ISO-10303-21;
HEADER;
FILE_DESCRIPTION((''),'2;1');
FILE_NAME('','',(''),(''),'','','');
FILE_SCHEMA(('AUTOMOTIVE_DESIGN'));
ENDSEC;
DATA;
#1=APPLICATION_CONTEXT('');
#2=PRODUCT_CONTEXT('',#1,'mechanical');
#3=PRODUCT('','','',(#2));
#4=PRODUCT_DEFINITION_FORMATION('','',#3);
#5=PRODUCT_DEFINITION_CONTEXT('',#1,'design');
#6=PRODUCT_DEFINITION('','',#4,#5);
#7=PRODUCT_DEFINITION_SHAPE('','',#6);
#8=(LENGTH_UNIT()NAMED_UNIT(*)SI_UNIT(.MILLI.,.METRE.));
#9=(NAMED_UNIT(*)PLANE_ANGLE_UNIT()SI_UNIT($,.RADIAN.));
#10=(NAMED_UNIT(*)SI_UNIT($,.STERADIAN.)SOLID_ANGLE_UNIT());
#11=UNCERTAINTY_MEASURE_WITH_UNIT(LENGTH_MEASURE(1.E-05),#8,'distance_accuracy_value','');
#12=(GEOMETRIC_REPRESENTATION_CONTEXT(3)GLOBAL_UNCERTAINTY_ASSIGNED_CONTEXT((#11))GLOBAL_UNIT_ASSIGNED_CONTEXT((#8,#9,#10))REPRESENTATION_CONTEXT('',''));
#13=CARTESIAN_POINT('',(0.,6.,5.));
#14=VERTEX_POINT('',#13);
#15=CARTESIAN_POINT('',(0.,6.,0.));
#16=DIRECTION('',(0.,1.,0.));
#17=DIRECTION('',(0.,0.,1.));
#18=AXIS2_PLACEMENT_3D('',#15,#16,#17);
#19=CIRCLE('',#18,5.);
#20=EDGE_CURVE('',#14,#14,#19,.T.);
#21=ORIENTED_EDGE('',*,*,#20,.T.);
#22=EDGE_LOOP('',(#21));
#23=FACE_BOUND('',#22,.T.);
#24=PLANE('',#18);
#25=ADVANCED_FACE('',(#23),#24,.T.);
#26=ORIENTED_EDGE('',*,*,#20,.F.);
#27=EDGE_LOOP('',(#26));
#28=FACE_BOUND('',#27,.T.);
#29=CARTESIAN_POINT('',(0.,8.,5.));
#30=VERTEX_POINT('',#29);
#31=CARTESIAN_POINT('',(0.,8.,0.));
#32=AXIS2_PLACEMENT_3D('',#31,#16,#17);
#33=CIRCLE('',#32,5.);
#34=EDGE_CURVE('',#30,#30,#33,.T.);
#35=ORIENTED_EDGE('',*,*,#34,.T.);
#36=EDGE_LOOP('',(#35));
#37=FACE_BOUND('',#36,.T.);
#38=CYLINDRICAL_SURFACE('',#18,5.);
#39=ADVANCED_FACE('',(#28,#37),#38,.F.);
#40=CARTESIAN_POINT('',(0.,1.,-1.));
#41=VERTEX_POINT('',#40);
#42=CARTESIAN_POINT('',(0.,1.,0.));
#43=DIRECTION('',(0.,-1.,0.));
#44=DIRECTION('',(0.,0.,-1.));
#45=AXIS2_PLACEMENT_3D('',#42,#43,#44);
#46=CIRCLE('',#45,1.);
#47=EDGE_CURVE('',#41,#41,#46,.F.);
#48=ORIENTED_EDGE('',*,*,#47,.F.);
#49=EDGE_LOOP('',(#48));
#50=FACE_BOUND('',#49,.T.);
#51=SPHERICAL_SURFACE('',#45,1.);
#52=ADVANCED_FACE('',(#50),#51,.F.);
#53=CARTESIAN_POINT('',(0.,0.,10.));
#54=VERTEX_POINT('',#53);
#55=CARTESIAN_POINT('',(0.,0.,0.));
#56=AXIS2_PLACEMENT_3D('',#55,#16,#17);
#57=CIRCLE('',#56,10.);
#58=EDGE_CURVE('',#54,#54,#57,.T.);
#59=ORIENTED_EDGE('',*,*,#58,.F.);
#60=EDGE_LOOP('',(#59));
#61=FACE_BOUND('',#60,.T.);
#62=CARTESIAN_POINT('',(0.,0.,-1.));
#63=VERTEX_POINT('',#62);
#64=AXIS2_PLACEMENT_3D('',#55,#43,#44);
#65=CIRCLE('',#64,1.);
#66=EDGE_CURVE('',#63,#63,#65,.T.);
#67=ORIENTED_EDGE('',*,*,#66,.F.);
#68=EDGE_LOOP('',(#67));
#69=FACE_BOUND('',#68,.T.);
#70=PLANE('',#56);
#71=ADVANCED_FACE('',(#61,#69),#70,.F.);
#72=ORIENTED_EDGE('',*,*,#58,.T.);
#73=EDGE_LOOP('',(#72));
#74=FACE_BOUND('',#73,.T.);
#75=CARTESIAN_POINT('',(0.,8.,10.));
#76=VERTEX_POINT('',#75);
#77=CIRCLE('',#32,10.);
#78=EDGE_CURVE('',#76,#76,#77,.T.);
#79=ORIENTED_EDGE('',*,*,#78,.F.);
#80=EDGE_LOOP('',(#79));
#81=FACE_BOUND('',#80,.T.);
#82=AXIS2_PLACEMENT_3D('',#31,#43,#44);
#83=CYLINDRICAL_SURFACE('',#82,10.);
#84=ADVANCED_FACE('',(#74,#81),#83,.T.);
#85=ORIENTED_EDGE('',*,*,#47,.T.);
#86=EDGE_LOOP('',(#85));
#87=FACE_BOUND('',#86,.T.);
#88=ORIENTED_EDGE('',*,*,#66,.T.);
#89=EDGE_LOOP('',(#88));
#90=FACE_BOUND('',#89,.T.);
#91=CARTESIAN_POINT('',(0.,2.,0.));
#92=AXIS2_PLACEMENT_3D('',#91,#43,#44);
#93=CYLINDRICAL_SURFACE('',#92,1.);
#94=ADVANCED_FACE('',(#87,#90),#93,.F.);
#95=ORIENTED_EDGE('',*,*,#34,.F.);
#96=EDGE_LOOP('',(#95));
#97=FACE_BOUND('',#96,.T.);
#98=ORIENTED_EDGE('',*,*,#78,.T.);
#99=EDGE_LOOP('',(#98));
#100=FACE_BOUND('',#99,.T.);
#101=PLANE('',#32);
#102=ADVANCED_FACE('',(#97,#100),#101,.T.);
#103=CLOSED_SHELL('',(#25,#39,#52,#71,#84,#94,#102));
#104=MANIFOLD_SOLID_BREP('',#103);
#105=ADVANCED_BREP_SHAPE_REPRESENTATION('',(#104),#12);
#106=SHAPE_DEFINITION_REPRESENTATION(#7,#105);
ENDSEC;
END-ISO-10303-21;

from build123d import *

# Parameters (mm, degrees)
SKETCH1_R           = 10
BOSS_EXTRUDE1_DEPTH = 8
SKETCH2_R           = 5
CUT_EXTRUDE1_DEPTH  = 2
SKETCH3_R           = 1
CUT_EXTRUDE2_DEPTH  = 2
FILLET1_R           = 1


with BuildPart() as part:
    # Sketch1 → Boss-Extrude1 (new body)
    with BuildSketch(Plane(origin=(0, 0, 0), x_dir=(1, 0, 0), z_dir=(0, 1, 0))):
        Circle(SKETCH1_R)
    extrude(amount=BOSS_EXTRUDE1_DEPTH)

    # Sketch2 → Cut-Extrude1 (cut)
    with BuildSketch(Plane(origin=(0, 8, 0), x_dir=(1, 0, 0), z_dir=(0, 1, 0))):
        Circle(SKETCH2_R)
    extrude(amount=-CUT_EXTRUDE1_DEPTH, mode=Mode.SUBTRACT)

    # Sketch3 → Cut-Extrude2 (cut)
    with BuildSketch(Plane.XZ):
        Circle(SKETCH3_R)
    extrude(amount=-CUT_EXTRUDE2_DEPTH, mode=Mode.SUBTRACT)

    # Fillet1
    fillet1_edges = [part.edges().sort_by_distance(p)[0] for p in [
        (-1, 2, 0),
    ]]
    fillet(fillet1_edges, radius=FILLET1_R)


solid = part.part
